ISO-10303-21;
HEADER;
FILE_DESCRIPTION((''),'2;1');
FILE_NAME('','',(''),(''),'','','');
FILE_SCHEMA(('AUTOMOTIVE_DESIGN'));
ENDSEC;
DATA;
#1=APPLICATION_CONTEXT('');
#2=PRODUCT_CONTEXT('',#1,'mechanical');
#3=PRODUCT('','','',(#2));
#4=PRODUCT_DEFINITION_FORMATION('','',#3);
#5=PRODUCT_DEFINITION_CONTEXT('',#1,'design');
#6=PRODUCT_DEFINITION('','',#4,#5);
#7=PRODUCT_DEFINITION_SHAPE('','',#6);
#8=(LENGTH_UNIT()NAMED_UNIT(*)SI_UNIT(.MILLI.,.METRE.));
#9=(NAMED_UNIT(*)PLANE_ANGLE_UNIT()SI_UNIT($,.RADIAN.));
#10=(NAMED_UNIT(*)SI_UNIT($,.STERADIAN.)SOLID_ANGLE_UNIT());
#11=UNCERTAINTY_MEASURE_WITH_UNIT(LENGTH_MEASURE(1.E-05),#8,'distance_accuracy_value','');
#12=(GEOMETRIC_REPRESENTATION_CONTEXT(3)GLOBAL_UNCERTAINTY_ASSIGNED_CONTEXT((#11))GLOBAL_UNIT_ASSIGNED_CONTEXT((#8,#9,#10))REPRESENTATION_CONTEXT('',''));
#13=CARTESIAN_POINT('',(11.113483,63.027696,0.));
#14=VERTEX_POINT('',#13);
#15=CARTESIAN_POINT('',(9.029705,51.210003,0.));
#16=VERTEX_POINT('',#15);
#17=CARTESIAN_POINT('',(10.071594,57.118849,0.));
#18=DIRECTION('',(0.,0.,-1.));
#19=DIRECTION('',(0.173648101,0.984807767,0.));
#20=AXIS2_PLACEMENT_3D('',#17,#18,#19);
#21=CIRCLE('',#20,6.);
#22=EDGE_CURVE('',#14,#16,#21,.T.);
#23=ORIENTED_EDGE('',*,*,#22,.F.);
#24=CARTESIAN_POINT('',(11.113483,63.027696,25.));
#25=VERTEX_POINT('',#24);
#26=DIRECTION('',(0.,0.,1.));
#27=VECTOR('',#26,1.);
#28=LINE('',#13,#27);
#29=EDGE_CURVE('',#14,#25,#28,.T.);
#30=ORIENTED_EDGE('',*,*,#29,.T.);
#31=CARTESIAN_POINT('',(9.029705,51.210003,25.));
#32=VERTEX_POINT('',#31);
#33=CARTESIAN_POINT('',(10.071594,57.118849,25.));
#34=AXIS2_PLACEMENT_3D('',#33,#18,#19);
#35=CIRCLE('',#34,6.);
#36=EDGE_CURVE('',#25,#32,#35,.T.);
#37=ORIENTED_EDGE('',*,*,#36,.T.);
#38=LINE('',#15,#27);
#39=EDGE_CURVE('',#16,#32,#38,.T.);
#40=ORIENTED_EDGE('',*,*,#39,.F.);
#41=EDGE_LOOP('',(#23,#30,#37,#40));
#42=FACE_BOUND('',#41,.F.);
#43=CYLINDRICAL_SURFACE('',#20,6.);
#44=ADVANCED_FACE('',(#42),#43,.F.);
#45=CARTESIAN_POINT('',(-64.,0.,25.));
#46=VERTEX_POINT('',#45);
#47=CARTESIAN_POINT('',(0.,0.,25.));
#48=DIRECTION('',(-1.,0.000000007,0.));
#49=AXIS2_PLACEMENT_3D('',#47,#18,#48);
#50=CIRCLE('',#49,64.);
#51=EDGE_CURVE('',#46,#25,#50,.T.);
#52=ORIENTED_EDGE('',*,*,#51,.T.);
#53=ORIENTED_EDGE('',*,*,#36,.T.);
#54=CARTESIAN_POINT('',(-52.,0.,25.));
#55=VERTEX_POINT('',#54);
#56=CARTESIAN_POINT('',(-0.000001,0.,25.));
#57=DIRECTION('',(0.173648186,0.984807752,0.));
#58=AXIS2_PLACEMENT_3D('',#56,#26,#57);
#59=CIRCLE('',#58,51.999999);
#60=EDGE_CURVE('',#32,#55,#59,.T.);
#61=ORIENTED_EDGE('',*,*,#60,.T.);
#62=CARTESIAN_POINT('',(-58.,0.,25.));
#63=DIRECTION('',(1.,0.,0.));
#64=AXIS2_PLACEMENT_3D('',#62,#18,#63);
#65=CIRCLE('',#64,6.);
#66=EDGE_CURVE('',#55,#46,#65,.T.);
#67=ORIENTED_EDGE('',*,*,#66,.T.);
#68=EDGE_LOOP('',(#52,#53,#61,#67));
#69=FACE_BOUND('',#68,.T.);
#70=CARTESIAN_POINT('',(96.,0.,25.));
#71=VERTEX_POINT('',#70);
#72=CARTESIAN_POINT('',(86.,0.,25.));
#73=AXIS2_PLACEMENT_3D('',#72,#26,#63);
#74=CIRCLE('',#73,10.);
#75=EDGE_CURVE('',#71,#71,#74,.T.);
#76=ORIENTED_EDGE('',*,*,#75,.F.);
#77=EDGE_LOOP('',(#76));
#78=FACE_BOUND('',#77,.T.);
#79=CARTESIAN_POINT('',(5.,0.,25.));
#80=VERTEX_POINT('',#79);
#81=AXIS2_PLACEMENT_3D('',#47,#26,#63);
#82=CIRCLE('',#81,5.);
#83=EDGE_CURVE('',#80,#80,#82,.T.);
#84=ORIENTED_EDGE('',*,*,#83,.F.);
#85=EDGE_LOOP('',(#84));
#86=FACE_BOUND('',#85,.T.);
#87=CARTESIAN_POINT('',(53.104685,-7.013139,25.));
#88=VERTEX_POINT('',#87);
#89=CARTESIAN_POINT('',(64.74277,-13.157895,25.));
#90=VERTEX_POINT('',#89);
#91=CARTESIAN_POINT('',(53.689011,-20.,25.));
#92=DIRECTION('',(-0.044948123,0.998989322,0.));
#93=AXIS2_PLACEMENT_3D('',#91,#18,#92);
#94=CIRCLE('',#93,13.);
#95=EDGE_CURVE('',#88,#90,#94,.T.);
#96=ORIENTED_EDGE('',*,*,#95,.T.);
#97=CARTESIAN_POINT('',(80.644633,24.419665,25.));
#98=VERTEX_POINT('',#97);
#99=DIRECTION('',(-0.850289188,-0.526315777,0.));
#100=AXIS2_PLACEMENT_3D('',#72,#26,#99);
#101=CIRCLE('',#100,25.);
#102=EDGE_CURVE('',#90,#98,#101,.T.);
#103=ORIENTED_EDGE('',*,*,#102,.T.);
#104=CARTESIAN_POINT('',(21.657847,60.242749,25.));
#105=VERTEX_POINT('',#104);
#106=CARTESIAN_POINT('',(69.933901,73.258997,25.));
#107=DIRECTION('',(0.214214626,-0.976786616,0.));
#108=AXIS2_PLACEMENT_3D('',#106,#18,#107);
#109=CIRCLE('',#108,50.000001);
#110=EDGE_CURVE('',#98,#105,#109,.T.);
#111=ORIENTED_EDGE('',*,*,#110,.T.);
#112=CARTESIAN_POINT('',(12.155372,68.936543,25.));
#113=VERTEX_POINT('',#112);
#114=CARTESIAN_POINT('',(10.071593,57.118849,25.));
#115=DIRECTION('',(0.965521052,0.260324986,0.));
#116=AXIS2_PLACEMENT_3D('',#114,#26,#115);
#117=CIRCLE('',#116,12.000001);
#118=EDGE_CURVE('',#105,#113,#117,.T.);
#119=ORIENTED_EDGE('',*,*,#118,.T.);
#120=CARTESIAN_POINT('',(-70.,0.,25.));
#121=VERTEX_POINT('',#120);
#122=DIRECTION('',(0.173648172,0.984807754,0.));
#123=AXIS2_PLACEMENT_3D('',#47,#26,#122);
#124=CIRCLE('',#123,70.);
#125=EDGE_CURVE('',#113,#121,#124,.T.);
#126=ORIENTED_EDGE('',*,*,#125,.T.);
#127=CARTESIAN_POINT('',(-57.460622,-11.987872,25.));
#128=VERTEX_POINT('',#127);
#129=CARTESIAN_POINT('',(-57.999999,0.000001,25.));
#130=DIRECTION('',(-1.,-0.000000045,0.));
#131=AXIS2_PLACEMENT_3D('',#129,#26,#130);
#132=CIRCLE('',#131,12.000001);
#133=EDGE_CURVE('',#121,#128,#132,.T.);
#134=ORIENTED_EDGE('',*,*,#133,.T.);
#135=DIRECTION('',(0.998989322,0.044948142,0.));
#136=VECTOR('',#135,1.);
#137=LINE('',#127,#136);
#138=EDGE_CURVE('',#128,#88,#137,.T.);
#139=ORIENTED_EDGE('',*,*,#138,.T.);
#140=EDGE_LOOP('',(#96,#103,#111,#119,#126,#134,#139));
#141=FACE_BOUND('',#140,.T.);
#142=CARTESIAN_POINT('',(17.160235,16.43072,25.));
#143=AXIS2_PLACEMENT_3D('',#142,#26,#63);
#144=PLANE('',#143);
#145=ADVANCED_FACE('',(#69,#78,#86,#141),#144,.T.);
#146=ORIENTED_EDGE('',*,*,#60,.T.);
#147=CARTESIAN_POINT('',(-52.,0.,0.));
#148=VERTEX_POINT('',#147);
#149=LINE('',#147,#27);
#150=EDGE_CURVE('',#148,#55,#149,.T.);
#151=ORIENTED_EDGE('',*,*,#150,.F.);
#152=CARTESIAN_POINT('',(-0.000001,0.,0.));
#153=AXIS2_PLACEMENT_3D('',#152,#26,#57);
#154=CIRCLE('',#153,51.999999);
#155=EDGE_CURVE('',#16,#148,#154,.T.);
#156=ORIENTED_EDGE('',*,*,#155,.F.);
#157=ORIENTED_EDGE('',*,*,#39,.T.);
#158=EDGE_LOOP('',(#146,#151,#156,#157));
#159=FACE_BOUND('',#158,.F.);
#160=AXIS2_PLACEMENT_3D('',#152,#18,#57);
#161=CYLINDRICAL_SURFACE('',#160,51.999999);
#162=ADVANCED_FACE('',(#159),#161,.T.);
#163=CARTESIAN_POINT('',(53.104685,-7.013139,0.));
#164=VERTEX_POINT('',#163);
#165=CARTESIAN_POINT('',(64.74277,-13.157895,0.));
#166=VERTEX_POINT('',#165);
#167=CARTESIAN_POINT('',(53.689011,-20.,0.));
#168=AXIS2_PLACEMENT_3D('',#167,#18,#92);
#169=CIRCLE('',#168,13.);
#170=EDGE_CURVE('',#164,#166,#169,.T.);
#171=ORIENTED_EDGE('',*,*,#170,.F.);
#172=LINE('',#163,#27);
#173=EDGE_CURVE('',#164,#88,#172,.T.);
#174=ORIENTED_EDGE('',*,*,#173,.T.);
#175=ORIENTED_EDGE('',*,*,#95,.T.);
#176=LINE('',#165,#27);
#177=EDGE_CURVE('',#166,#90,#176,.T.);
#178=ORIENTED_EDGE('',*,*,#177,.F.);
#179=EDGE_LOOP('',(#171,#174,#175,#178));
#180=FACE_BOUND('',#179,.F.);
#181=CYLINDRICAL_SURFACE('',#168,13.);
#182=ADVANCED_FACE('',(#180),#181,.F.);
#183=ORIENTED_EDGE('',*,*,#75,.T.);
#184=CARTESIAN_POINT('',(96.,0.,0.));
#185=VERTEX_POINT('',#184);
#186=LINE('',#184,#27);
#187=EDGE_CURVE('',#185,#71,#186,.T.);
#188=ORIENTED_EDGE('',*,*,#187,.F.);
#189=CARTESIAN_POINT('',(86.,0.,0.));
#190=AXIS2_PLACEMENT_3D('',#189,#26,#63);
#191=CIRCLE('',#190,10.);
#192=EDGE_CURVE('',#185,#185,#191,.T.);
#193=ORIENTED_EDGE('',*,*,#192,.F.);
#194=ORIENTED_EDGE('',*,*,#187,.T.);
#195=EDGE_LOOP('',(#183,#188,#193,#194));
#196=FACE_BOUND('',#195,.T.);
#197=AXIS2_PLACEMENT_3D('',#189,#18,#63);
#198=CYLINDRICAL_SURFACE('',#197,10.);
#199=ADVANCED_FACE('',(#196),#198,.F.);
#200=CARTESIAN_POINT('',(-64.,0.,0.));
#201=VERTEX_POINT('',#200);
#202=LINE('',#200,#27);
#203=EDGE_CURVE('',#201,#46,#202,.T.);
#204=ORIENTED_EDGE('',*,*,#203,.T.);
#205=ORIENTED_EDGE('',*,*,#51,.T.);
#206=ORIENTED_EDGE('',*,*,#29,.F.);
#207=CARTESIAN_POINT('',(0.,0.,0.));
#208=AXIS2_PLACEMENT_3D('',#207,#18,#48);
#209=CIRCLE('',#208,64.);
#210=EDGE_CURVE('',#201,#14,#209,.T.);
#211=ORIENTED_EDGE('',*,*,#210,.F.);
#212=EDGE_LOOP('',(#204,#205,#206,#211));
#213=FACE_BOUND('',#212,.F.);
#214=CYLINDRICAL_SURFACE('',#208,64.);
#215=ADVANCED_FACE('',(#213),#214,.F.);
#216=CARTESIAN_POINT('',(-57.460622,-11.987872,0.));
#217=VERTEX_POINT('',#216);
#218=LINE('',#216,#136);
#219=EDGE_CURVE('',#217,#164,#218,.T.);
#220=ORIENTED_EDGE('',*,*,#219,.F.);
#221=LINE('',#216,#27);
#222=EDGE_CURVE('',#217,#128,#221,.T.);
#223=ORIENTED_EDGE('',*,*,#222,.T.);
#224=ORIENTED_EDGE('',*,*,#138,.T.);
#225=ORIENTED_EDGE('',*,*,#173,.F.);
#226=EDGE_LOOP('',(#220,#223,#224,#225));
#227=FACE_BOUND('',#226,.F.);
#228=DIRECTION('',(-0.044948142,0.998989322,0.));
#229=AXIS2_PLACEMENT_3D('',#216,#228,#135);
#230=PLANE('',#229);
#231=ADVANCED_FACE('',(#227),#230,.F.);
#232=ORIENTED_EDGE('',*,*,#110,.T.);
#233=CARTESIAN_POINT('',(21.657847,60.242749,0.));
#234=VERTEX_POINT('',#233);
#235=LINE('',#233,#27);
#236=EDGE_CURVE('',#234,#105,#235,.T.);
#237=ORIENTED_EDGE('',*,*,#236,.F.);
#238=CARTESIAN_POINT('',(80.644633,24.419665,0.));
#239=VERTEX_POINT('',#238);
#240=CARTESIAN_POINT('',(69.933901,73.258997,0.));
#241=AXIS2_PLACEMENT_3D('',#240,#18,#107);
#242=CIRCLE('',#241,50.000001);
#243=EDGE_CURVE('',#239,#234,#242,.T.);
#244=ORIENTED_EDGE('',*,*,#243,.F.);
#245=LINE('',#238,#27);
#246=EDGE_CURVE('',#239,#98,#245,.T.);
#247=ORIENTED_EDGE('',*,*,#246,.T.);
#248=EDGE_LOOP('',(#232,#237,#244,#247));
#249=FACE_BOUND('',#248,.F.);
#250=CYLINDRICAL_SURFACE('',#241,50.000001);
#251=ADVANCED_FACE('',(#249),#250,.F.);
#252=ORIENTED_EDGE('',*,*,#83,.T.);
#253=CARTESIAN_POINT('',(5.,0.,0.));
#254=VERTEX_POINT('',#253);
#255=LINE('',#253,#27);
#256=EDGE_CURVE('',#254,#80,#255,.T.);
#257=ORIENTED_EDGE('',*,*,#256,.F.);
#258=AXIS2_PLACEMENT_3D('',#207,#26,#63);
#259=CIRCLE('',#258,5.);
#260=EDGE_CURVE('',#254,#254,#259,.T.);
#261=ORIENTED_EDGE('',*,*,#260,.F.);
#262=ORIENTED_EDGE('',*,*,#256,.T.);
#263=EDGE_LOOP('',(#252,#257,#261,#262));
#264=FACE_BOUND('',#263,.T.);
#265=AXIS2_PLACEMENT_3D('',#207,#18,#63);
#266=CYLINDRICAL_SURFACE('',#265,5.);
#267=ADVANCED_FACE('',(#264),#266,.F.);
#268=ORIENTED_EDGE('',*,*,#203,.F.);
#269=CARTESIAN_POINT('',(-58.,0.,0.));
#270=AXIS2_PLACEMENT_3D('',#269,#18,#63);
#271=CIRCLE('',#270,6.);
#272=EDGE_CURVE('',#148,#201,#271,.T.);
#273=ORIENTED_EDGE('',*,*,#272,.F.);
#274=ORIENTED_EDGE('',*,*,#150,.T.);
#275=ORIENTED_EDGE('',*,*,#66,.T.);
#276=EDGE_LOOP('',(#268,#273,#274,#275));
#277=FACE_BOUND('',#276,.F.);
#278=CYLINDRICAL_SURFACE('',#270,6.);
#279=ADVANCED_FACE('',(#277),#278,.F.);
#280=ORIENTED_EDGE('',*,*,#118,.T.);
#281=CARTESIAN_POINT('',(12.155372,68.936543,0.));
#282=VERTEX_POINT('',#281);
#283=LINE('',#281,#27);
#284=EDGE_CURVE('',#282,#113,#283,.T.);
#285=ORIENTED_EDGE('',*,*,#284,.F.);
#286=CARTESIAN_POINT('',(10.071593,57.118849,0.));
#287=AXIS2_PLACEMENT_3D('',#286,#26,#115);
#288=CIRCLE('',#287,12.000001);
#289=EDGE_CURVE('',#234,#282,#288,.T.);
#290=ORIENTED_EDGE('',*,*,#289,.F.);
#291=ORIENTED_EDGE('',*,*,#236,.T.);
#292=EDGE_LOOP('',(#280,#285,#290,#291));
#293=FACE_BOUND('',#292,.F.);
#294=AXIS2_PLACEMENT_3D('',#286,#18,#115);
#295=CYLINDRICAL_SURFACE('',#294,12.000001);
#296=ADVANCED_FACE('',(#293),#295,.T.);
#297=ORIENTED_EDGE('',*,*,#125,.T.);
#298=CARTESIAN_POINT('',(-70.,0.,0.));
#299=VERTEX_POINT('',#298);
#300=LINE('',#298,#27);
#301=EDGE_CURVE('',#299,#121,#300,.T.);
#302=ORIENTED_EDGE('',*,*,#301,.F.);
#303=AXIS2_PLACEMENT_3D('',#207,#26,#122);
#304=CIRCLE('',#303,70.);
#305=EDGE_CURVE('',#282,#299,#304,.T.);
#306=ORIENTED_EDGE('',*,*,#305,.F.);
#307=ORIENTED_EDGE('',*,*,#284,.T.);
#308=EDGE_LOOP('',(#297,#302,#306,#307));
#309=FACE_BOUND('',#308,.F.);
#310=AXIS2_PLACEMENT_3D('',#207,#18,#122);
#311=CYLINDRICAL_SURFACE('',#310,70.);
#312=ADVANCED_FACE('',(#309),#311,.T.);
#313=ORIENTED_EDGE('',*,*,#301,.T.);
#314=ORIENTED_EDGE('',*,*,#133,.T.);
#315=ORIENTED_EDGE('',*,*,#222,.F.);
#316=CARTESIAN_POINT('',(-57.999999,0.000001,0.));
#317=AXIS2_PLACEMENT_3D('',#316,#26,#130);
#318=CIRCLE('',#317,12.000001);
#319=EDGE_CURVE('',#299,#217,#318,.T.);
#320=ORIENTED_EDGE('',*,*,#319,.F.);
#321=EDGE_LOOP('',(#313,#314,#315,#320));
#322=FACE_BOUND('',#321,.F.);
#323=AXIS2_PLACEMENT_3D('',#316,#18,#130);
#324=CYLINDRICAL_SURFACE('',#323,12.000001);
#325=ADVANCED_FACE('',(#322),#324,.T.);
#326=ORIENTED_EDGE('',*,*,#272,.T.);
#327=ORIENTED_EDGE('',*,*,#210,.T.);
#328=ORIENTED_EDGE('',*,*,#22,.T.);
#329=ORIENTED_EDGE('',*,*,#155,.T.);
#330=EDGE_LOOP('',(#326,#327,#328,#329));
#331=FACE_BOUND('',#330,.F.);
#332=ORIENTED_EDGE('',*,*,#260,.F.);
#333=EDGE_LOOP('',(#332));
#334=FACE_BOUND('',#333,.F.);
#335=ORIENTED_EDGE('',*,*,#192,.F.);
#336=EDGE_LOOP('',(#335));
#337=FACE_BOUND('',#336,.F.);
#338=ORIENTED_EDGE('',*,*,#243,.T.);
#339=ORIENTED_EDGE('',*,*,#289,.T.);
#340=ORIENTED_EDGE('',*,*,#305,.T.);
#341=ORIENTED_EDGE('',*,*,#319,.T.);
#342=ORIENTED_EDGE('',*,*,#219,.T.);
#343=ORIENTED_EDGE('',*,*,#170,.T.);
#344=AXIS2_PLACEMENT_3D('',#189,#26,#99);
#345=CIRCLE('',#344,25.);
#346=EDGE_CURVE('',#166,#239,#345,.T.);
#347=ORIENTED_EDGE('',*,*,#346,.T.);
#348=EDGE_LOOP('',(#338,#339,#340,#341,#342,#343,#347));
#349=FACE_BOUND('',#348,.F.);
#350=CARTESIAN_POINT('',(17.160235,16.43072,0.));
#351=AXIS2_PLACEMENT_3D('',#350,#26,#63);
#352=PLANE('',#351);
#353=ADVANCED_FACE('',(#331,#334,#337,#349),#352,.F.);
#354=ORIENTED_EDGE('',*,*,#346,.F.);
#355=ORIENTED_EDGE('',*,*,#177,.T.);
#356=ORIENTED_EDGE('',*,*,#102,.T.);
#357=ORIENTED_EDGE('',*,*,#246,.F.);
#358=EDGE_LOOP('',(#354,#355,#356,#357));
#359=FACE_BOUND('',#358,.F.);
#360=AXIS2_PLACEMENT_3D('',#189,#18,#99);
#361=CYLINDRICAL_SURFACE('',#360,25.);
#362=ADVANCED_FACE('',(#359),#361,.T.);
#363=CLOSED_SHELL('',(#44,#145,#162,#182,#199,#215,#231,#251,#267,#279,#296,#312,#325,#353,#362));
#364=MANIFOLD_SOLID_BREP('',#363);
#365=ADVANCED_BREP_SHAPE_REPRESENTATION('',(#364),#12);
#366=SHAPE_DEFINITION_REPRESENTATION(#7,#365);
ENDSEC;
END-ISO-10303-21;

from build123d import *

# Parameters (mm, degrees)
F0_R     = 5
F0_R_2   = 10
F1_DEPTH = 25


with BuildPart() as f1:
    # F0 (on Top) → F1 (new body)
    with BuildSketch(Plane.XY):
        with BuildLine():
            ThreePointArc((53.104685, -7.013139), (59.758753, -8.503991), (64.74277, -13.157895))
            ThreePointArc((64.74277, -13.157895), (109.023376, -9.742904), (80.644633, 24.419665))
            ThreePointArc((80.644633, 24.419665), (43.979871, 30.522731), (21.657847, 60.242749))
            ThreePointArc((21.657847, 60.242749), (18.171776, 65.972496), (12.155372, 68.936543))
            ThreePointArc((12.155372, 68.936543), (-44.995133, 53.623111), (-70, 0))
            ThreePointArc((-70, 0), (-66.29239, -8.673884), (-57.460622, -11.987872))
            Line((-57.460622, -11.987872), (53.104685, -7.013139))
        make_face()
        Circle(F0_R, mode=Mode.SUBTRACT)
        with Locations((86, 0)):
            Circle(F0_R_2, mode=Mode.SUBTRACT)
        with BuildLine():
            ThreePointArc((-64, 0), (-41.138407, 49.026844), (11.113483, 63.027696))
            ThreePointArc((11.113483, 63.027696), (15.980441, 56.076961), (9.029705, 51.210003))
            ThreePointArc((9.029705, 51.210003), (-33.424956, 39.834311), (-52, 0))
            ThreePointArc((-52, 0), (-58, -6), (-64, 0))
        make_face(mode=Mode.SUBTRACT)
    extrude(amount=F1_DEPTH)


solid = f1.part
